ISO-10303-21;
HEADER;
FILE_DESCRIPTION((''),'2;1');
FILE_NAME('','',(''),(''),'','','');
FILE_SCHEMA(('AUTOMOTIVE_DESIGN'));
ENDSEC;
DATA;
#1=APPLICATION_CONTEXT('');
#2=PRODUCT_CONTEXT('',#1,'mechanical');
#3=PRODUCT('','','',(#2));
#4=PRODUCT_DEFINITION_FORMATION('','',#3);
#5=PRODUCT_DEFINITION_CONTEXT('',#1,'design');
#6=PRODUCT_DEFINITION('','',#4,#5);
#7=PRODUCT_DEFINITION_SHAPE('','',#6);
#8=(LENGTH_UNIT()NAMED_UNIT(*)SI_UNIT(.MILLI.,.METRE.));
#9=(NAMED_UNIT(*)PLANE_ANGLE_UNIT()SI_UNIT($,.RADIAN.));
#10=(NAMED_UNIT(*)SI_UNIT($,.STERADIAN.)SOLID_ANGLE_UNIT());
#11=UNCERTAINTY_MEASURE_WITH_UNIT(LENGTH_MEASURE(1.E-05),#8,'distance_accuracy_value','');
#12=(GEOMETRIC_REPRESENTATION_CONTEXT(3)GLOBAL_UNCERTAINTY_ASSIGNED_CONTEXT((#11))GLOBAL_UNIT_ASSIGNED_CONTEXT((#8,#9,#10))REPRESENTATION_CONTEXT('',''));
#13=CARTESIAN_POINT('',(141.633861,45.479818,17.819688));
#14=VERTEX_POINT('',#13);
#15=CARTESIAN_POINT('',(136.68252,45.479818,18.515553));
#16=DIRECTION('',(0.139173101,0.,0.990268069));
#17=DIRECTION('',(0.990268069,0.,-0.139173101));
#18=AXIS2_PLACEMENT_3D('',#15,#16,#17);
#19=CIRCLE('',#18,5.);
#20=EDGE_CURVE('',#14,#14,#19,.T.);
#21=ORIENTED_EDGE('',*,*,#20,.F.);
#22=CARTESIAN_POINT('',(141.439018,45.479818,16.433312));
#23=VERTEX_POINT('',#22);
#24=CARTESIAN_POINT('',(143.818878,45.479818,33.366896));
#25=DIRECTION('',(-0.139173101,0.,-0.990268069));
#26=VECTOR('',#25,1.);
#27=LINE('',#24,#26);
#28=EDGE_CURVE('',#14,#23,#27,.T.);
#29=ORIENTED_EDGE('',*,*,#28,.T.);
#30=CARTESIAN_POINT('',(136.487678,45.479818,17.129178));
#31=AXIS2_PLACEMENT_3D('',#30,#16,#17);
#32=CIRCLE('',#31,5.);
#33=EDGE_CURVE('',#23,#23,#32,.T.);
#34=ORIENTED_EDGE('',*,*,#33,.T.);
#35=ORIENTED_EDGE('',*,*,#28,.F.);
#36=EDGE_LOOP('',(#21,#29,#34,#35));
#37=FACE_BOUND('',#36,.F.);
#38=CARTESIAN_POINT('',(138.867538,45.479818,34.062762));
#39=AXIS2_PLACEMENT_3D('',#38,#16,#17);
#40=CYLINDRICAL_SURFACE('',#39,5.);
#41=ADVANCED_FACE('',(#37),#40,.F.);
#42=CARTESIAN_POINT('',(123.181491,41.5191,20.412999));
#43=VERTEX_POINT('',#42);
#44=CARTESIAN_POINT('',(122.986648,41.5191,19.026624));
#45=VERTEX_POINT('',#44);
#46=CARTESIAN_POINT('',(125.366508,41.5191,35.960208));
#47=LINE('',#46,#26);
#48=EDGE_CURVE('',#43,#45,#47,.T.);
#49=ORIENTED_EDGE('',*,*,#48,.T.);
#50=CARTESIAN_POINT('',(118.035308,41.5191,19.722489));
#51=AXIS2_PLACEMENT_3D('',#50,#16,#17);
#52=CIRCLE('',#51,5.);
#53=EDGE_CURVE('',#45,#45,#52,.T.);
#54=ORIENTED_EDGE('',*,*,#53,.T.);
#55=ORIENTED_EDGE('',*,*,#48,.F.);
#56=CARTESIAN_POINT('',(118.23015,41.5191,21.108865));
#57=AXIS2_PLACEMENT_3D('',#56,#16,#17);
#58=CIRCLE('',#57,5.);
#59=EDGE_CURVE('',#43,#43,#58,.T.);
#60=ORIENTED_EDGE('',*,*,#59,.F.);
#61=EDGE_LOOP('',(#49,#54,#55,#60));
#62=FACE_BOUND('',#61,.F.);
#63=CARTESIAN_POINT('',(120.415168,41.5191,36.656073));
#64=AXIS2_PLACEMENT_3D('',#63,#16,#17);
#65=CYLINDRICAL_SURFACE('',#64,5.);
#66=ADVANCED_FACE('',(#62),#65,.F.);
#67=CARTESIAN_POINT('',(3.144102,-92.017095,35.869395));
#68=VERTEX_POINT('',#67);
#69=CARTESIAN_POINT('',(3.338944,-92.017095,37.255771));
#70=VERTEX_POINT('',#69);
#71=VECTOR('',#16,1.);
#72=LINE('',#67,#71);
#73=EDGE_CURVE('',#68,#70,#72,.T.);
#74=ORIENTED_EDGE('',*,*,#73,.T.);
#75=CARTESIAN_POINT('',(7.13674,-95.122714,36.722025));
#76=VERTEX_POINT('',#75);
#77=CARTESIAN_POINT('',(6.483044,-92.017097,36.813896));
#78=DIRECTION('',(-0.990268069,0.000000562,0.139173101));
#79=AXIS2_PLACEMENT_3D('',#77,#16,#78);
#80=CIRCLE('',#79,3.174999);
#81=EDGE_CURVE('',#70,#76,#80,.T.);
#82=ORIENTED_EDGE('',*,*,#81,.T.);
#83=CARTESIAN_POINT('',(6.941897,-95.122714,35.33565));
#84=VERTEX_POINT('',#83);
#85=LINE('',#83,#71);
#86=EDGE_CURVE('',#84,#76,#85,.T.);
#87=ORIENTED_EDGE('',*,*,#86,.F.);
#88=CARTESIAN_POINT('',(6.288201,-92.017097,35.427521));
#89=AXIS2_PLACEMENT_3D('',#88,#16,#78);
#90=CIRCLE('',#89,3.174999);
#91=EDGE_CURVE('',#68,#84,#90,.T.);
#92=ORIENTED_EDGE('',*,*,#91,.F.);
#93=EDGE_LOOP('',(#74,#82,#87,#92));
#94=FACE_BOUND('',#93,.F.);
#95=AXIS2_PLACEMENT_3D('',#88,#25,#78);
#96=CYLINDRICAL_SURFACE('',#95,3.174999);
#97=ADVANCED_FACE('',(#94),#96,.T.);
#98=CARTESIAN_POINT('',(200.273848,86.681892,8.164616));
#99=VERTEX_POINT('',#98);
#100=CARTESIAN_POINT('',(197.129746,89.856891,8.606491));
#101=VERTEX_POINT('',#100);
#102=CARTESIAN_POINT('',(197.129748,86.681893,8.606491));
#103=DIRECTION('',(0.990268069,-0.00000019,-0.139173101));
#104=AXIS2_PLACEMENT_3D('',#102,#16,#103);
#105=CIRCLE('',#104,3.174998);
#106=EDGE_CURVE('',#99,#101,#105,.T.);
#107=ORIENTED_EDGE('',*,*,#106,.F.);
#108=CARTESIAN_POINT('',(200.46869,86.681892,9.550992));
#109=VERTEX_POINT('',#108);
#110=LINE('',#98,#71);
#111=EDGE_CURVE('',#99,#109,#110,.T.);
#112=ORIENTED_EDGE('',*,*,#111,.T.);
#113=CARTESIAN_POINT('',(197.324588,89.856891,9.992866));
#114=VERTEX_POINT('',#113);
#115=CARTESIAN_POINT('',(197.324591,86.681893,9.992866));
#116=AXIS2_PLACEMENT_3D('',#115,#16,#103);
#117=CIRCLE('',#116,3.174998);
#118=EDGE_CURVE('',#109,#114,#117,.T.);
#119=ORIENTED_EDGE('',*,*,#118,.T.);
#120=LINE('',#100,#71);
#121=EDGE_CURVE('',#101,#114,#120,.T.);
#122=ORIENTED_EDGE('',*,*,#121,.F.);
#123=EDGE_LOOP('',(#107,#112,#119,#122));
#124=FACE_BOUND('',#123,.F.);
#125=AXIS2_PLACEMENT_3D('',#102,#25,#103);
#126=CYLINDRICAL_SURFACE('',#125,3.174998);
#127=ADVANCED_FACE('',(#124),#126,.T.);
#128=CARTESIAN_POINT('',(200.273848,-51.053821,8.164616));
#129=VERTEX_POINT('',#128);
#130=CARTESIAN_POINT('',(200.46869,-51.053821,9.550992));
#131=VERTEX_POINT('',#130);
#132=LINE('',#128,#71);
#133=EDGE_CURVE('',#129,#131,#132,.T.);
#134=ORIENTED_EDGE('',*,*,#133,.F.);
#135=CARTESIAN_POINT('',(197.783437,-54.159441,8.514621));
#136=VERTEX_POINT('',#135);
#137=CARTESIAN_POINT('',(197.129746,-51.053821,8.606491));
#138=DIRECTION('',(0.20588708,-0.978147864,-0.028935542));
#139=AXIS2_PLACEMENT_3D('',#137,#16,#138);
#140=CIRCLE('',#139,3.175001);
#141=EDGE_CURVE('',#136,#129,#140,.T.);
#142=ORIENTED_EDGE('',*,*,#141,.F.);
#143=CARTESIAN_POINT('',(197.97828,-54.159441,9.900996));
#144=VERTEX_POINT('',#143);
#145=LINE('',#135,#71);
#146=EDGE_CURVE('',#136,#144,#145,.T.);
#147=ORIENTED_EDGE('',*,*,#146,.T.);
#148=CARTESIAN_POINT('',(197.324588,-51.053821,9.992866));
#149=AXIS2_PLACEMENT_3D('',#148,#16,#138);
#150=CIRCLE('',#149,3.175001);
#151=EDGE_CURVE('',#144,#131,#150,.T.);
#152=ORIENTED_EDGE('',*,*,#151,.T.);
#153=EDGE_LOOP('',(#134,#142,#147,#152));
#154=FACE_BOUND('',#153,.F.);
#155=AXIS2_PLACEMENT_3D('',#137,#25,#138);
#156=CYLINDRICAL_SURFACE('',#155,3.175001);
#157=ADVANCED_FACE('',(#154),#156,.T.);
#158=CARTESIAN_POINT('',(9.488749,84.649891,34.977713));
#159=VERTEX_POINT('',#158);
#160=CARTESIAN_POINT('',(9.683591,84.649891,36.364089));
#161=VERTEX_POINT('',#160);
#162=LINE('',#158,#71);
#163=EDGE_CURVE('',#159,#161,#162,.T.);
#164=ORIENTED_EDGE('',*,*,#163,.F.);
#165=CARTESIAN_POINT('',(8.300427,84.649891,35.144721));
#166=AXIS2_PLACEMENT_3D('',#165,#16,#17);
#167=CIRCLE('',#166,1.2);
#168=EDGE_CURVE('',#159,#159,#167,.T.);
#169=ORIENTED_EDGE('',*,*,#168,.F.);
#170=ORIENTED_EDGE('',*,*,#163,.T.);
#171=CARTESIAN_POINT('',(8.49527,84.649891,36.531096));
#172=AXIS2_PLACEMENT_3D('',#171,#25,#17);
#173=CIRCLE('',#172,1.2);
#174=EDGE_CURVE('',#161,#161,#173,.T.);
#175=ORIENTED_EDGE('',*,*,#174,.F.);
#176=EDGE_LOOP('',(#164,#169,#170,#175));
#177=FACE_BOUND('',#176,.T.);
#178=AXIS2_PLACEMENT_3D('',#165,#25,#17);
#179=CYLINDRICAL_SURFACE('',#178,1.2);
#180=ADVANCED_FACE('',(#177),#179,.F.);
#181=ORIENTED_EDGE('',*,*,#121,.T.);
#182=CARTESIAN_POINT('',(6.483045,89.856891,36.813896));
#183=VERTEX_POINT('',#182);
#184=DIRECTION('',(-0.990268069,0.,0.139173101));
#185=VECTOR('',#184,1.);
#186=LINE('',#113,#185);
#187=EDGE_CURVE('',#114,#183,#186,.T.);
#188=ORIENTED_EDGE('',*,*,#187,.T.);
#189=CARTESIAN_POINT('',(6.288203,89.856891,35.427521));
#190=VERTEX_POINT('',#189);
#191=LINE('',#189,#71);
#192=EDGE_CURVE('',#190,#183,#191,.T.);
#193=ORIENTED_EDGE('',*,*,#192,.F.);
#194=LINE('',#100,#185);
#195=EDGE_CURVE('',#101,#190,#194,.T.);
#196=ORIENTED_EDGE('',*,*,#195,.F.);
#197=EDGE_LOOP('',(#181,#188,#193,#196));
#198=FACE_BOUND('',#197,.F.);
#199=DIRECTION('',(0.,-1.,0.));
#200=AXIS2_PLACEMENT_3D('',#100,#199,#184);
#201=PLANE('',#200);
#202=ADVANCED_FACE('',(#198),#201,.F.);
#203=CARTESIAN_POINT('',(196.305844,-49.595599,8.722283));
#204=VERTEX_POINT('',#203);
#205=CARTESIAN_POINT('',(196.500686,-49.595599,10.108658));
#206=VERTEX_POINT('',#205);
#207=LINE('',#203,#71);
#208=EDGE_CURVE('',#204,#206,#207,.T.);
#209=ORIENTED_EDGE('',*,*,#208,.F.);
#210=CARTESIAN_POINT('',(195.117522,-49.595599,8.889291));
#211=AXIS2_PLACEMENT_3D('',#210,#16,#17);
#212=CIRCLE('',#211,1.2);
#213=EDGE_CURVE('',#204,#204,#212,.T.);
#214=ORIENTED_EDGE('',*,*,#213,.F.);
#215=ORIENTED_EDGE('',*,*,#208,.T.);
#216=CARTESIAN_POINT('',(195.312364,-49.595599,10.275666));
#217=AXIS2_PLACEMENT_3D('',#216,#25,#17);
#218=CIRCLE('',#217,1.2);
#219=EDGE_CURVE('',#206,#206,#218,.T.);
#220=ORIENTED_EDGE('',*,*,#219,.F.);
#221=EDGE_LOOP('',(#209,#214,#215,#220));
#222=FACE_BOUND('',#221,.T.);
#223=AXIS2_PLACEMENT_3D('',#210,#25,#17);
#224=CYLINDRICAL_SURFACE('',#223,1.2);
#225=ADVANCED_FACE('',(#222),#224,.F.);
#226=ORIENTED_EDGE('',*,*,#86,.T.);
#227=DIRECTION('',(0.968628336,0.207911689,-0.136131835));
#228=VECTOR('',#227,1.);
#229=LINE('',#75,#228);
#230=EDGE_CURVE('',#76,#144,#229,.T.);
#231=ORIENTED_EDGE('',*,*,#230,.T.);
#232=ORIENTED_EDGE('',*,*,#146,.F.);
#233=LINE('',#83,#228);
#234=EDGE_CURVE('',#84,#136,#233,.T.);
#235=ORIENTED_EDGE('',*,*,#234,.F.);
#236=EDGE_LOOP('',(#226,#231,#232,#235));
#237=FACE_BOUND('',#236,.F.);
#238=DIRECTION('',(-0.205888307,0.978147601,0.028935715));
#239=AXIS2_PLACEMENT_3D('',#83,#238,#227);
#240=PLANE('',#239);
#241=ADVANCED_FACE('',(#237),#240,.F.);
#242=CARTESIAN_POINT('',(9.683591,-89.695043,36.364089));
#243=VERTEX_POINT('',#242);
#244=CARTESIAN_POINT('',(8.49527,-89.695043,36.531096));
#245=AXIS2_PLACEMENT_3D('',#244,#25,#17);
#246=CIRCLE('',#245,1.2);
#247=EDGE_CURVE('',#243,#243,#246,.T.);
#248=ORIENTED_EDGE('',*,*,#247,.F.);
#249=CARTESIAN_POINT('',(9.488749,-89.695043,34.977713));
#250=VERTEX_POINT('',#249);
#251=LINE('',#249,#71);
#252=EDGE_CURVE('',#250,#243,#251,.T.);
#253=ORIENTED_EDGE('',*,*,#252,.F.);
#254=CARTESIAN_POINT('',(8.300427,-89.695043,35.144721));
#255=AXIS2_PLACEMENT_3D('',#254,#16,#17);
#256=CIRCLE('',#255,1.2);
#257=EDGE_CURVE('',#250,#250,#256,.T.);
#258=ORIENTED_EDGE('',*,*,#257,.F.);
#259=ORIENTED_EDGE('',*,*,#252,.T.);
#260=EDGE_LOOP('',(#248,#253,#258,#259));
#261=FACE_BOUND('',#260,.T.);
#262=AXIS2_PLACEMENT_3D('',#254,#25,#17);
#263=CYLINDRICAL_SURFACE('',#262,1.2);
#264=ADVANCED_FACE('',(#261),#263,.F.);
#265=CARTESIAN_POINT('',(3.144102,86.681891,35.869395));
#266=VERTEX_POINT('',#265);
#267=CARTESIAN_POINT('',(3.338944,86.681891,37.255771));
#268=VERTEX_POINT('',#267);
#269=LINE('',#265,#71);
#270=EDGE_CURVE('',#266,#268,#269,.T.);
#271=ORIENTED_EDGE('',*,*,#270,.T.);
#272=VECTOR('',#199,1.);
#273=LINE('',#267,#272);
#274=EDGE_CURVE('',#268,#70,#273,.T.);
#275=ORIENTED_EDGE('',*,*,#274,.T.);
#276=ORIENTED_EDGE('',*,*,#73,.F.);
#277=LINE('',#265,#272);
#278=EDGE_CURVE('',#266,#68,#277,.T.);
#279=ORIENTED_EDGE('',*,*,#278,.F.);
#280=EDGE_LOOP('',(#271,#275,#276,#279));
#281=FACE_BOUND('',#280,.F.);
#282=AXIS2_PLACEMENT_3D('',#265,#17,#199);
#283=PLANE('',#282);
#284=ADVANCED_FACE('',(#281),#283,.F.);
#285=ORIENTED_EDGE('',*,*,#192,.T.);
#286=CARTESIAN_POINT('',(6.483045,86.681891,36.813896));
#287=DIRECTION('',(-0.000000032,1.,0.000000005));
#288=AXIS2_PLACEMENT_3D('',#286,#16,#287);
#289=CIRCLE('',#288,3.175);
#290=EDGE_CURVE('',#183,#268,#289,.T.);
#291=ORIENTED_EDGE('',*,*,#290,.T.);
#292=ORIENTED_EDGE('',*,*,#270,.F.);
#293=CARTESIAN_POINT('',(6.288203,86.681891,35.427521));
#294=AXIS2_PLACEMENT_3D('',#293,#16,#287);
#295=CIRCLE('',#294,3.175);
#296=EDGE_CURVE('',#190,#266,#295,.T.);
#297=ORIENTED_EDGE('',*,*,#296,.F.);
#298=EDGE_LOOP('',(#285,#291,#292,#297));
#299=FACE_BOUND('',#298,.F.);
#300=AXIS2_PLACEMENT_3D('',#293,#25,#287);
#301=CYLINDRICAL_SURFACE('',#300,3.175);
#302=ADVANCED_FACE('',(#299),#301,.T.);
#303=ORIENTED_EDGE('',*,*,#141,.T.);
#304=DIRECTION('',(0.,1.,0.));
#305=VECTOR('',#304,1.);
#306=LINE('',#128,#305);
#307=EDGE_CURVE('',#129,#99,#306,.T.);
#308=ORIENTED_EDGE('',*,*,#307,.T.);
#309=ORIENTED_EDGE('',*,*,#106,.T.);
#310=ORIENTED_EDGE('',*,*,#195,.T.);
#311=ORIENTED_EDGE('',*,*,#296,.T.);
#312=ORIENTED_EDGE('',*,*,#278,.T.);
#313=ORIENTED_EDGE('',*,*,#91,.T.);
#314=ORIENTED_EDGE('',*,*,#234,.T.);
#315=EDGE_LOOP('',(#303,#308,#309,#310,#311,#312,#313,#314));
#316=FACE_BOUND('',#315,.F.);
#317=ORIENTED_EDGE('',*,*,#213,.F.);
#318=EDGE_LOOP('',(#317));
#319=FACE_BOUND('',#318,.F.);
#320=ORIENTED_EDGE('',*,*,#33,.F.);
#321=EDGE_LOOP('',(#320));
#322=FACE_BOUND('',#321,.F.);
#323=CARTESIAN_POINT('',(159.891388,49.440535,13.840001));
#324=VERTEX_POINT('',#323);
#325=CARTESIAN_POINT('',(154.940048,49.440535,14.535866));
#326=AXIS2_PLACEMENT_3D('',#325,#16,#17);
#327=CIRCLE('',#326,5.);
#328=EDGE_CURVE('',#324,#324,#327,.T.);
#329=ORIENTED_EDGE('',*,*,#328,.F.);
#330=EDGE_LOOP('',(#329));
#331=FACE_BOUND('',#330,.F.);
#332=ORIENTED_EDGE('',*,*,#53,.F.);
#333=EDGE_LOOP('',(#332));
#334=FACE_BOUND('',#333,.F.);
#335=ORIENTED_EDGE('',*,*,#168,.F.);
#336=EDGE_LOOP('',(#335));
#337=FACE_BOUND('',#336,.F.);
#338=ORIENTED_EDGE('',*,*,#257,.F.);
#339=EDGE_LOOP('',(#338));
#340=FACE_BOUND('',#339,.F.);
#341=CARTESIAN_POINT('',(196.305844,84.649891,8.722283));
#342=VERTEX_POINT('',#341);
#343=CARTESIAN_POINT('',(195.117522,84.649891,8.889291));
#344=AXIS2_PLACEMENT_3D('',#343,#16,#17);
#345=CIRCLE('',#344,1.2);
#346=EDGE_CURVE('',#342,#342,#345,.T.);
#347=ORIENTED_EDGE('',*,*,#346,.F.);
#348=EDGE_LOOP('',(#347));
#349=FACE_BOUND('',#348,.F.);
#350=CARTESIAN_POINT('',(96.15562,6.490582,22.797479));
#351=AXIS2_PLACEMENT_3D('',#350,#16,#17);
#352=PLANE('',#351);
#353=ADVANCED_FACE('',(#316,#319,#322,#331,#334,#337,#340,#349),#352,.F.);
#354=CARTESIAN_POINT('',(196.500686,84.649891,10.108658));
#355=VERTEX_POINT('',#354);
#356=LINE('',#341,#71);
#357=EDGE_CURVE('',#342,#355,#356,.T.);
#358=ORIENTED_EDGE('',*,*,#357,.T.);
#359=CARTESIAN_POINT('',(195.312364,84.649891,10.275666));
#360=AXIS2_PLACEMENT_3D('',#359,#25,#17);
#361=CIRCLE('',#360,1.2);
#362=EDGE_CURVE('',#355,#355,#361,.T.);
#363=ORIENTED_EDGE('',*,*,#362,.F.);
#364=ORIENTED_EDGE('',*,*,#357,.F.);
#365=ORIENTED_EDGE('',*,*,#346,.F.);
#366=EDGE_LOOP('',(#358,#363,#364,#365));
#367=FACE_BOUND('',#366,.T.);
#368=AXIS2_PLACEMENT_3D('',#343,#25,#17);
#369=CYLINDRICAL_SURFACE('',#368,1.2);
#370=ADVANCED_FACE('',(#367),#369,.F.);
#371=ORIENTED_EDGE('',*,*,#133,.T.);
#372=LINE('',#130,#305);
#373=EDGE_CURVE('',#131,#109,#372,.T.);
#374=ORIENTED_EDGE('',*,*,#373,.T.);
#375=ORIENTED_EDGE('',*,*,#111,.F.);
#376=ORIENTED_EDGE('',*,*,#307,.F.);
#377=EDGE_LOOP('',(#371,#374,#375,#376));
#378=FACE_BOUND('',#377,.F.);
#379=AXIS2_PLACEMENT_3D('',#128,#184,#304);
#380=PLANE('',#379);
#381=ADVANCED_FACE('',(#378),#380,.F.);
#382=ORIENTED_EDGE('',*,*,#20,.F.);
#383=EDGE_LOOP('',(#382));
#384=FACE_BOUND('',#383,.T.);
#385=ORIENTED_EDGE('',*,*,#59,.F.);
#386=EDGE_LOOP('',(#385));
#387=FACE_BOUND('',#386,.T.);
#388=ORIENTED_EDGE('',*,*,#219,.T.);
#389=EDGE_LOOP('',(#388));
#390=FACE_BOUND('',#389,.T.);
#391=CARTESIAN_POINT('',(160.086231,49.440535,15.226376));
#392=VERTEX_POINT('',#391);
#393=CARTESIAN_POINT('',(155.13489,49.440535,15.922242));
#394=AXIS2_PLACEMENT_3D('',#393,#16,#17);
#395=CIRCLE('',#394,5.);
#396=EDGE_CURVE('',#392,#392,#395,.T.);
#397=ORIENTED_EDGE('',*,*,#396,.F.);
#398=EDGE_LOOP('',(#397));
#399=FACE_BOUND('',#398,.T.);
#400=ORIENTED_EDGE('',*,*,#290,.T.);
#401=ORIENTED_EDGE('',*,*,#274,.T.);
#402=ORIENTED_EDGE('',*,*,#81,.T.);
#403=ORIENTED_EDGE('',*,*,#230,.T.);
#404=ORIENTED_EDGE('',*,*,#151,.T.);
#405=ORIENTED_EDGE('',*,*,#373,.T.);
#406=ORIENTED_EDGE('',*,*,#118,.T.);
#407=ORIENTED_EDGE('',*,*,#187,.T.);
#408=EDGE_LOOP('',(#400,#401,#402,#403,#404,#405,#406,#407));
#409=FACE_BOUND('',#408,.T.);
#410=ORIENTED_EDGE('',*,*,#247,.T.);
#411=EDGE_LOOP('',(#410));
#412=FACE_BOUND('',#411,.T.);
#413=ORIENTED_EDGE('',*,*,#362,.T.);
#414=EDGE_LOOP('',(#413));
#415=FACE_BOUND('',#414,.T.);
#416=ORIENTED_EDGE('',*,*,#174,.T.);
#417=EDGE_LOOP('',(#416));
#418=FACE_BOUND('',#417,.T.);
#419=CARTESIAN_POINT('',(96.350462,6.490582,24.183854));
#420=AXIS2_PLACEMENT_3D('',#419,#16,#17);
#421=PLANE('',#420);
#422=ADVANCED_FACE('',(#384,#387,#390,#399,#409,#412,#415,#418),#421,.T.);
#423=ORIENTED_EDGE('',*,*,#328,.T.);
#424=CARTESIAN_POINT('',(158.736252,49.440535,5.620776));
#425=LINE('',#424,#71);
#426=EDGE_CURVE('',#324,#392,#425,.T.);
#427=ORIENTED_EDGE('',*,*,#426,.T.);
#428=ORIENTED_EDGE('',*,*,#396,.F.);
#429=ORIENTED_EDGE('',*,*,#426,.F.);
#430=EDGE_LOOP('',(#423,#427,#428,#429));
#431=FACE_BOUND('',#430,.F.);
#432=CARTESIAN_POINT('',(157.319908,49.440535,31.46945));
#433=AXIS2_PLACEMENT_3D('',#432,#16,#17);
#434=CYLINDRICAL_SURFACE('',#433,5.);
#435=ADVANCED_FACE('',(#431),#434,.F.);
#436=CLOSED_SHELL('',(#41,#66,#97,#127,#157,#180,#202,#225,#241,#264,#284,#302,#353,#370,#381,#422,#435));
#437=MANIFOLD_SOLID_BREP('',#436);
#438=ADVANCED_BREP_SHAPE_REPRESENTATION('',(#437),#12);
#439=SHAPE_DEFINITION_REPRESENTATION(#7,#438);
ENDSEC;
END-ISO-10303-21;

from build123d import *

# Parameters (mm, degrees)
SKETCH030_AS_DRAWN_R                      = 5
EXTRUDE025_DEPTH                          = 25.4
EXTRUDE025_ONTO_SKETCH030_PLACEMENT_ANGLE = 8
SKETCH018_AS_DRAWN_R                      = 1.2
EXTRUDE009_DEPTH                          = 7.8
EXTRUDE009_ONTO_SKETCH018_PLACEMENT_ANGLE = 8
EXTRUDE010_DEPTH                          = 1.4
EXTRUDE010_ONTO_SKETCH019_PLACEMENT_ANGLE = 8


with BuildPart() as plate_led_holes:
    # Sketch030 as drawn → Extrude025 (new, symmetric)
    with BuildSketch(Plane.XY):
        with Locations((78.81499, 41.5191)):
            Circle(SKETCH030_AS_DRAWN_R)
        with Locations((97.448702, 45.479818)):
            Circle(SKETCH030_AS_DRAWN_R)
        with Locations((116.082414, 49.440535)):
            Circle(SKETCH030_AS_DRAWN_R)
    extrude(amount=EXTRUDE025_DEPTH, both=True)


with BuildPart() as plate_led_holes_1:
    # Extrude025 onto Sketch030 placement: moved
    add(plate_led_holes.part.moved(Location((42.3672, 0, 47.625))).rotate(Axis((42.3672, 0, 47.625), (0, 1, 0)), EXTRUDE025_ONTO_SKETCH030_PLACEMENT_ANGLE))


with BuildPart() as screw_hole_cuts:
    # Sketch018 as drawn → Extrude009 (new)
    with BuildSketch(Plane.XY):
        with Locations((-31.998318, 84.649891)):
            Circle(SKETCH018_AS_DRAWN_R)
        with Locations((-31.998318, -89.695043)):
            Circle(SKETCH018_AS_DRAWN_R)
        with Locations((156.654735, -49.595599)):
            Circle(SKETCH018_AS_DRAWN_R)
        with Locations((156.654735, 84.649891)):
            Circle(SKETCH018_AS_DRAWN_R)
    extrude(amount=EXTRUDE009_DEPTH)


with BuildPart() as screw_hole_cuts_1:
    # Extrude009 onto Sketch018 placement: moved
    add(screw_hole_cuts.part.moved(Location((39.98734, 0, 30.691416))).rotate(Axis((39.98734, 0, 30.691416), (0, 1, 0)), EXTRUDE009_ONTO_SKETCH018_PLACEMENT_ANGLE))


with BuildPart() as cut017:
    # Sketch019 as drawn → Extrude010 (new)
    with BuildSketch(Plane.XY):
        with BuildLine():
            Line((-37.205318, 86.681891), (-37.205318, -92.017095))
            ThreePointArc((-37.205318, -92.017095), (-36.028411, -94.484534), (-33.370199, -95.122714))
            Line((-33.370199, -95.122714), (159.34685, -54.159441))
            ThreePointArc((159.34685, -54.159441), (161.154172, -53.051915), (161.861735, -51.053821))
            Line((161.861735, -51.053821), (161.861735, 86.681892))
            ThreePointArc((161.861735, 86.681892), (160.931799, 88.926956), (158.686734, 89.856891))
            Line((158.686734, 89.856891), (-34.030318, 89.856891))
            ThreePointArc((-34.030318, 89.856891), (-36.275382, 88.926955), (-37.205318, 86.681891))
        make_face()
    extrude(amount=EXTRUDE010_DEPTH)


with BuildPart() as cut017_1:
    # Extrude010 onto Sketch019 placement: moved
    add(cut017.part.moved(Location((39.98734, 0, 30.691416))).rotate(Axis((39.98734, 0, 30.691416), (0, 1, 0)), EXTRUDE010_ONTO_SKETCH019_PLACEMENT_ANGLE))

    # Cut002: cut Screw Hole Cuts
    add(screw_hole_cuts_1.part, mode=Mode.SUBTRACT)

    # Cut017: cut Plate LED Holes
    add(plate_led_holes_1.part, mode=Mode.SUBTRACT)


solid = cut017_1.part
